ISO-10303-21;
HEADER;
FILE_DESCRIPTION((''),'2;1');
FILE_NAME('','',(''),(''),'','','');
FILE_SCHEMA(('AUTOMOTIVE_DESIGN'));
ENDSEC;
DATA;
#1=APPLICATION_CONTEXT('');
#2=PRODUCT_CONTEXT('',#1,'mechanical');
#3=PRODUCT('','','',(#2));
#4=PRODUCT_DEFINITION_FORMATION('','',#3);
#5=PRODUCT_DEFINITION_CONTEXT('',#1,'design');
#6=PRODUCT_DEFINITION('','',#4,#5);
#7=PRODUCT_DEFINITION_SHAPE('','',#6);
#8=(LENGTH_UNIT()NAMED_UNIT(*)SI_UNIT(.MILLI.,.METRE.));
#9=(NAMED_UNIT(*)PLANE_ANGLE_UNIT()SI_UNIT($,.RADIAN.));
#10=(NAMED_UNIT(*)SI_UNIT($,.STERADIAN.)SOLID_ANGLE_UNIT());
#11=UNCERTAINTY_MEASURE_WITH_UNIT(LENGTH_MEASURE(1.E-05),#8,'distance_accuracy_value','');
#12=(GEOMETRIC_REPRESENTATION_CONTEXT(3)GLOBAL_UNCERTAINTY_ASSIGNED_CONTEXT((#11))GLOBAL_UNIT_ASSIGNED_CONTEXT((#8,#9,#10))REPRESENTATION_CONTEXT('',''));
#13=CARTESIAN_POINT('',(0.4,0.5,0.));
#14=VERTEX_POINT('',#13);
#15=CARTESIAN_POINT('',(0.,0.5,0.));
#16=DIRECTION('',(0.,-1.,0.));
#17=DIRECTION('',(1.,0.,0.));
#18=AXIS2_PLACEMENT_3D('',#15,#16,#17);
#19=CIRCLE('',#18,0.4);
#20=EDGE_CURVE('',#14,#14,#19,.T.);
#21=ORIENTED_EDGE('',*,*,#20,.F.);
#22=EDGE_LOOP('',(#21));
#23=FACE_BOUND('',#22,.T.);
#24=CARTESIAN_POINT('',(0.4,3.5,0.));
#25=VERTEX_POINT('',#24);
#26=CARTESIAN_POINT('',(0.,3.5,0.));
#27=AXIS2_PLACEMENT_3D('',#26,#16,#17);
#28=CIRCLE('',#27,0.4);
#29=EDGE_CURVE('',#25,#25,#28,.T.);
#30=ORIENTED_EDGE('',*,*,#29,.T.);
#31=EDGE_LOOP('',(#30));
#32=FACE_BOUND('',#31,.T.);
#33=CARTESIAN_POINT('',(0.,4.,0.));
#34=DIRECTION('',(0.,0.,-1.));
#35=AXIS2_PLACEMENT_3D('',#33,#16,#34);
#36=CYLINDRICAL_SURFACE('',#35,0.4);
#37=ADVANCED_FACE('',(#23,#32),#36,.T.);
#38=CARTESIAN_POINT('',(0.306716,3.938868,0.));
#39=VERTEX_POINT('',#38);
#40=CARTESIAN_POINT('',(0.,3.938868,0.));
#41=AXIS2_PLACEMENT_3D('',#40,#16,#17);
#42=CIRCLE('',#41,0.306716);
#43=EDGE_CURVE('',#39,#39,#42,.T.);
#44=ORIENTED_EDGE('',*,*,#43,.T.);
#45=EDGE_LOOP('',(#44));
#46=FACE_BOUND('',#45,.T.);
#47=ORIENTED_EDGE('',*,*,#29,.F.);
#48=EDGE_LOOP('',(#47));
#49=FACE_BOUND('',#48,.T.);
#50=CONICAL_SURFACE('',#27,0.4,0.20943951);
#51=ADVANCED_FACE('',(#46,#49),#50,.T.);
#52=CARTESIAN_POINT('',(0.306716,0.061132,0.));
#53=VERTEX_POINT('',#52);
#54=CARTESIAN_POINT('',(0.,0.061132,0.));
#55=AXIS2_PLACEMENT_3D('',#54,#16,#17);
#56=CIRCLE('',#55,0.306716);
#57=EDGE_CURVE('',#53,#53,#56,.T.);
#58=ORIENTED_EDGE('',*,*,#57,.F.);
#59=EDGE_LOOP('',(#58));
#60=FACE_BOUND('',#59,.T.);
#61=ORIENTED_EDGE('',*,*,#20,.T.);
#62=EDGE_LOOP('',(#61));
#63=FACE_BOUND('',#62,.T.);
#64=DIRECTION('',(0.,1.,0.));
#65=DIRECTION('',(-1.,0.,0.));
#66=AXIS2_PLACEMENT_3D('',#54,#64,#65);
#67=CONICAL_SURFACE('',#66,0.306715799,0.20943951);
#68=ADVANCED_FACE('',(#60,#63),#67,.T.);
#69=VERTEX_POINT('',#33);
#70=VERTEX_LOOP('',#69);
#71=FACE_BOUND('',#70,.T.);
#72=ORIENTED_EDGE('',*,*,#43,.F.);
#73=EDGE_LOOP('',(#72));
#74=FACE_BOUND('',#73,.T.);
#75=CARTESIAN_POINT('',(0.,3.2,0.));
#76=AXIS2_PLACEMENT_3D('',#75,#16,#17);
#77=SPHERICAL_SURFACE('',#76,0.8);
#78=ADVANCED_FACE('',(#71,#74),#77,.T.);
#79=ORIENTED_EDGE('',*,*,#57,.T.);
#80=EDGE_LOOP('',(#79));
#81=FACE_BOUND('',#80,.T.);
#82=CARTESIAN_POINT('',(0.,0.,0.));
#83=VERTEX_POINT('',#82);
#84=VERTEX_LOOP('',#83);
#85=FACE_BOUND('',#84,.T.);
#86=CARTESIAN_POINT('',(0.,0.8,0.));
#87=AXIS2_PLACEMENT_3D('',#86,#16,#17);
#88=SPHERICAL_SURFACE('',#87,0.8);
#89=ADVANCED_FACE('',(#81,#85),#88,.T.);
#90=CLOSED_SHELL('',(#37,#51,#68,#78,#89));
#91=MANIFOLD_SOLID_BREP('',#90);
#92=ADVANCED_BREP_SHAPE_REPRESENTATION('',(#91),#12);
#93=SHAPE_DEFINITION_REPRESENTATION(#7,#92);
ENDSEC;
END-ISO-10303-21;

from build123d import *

# Parameters (mm, degrees)
SKETCH1_R           = 0.4
BOSS_EXTRUDE1_DEPTH = 4


with BuildPart() as part:
    # Sketch1 → Boss-Extrude1 (new body)
    with BuildSketch(Plane(origin=(0, 0, 0), x_dir=(1, 0, 0), z_dir=(0, 1, 0))):
        Circle(SKETCH1_R)
    extrude(amount=BOSS_EXTRUDE1_DEPTH)

    # Sketch2 → Cut-Revolve2 (revolve, cut)
    with BuildSketch(Plane.XY):
        with BuildLine():
            Line((0.4, 3.892820323), (0.4, 4.1))
            Line((0.4, 4.1), (0, 4.1))
            Line((0, 4.1), (0, 4))
            ThreePointArc((0, 4), (0.207055236, 3.972740661), (0.4, 3.892820323))
        make_face()
        with BuildLine():
            Line((0.4, -0.1), (0, -0.1))
            Line((0, -0.1), (0, 0))
            ThreePointArc((0, 0), (0.207055236, 0.027259339), (0.4, 0.107179677))
            Line((0.4, 0.107179677), (0.4, -0.1))
        make_face()
    revolve(axis=Axis((0, 0, 0), (0, 1, 0)), mode=Mode.SUBTRACT)

    # Sketch3 → Cut-Revolve3 (revolve, cut)
    with BuildSketch(Plane.XY):
        with BuildLine():
            Line((-0.4, 3.5), (-0.306715799, 3.93886766))
            ThreePointArc((-0.306715799, 3.93886766), (-0.354107179, 3.917361907), (-0.4, 3.892820323))
            Line((-0.4, 3.892820323), (-0.4, 3.5))
        make_face()
        with BuildLine():
            Line((-0.4, 0.107179677), (-0.4, 0.5))
            Line((-0.4, 0.5), (-0.306715799, 0.06113234))
            ThreePointArc((-0.306715799, 0.06113234), (-0.354107179, 0.082638093), (-0.4, 0.107179677))
        make_face()
    revolve(axis=Axis((0, 0, 0), (0, 1, 0)), mode=Mode.SUBTRACT)


solid = part.part
